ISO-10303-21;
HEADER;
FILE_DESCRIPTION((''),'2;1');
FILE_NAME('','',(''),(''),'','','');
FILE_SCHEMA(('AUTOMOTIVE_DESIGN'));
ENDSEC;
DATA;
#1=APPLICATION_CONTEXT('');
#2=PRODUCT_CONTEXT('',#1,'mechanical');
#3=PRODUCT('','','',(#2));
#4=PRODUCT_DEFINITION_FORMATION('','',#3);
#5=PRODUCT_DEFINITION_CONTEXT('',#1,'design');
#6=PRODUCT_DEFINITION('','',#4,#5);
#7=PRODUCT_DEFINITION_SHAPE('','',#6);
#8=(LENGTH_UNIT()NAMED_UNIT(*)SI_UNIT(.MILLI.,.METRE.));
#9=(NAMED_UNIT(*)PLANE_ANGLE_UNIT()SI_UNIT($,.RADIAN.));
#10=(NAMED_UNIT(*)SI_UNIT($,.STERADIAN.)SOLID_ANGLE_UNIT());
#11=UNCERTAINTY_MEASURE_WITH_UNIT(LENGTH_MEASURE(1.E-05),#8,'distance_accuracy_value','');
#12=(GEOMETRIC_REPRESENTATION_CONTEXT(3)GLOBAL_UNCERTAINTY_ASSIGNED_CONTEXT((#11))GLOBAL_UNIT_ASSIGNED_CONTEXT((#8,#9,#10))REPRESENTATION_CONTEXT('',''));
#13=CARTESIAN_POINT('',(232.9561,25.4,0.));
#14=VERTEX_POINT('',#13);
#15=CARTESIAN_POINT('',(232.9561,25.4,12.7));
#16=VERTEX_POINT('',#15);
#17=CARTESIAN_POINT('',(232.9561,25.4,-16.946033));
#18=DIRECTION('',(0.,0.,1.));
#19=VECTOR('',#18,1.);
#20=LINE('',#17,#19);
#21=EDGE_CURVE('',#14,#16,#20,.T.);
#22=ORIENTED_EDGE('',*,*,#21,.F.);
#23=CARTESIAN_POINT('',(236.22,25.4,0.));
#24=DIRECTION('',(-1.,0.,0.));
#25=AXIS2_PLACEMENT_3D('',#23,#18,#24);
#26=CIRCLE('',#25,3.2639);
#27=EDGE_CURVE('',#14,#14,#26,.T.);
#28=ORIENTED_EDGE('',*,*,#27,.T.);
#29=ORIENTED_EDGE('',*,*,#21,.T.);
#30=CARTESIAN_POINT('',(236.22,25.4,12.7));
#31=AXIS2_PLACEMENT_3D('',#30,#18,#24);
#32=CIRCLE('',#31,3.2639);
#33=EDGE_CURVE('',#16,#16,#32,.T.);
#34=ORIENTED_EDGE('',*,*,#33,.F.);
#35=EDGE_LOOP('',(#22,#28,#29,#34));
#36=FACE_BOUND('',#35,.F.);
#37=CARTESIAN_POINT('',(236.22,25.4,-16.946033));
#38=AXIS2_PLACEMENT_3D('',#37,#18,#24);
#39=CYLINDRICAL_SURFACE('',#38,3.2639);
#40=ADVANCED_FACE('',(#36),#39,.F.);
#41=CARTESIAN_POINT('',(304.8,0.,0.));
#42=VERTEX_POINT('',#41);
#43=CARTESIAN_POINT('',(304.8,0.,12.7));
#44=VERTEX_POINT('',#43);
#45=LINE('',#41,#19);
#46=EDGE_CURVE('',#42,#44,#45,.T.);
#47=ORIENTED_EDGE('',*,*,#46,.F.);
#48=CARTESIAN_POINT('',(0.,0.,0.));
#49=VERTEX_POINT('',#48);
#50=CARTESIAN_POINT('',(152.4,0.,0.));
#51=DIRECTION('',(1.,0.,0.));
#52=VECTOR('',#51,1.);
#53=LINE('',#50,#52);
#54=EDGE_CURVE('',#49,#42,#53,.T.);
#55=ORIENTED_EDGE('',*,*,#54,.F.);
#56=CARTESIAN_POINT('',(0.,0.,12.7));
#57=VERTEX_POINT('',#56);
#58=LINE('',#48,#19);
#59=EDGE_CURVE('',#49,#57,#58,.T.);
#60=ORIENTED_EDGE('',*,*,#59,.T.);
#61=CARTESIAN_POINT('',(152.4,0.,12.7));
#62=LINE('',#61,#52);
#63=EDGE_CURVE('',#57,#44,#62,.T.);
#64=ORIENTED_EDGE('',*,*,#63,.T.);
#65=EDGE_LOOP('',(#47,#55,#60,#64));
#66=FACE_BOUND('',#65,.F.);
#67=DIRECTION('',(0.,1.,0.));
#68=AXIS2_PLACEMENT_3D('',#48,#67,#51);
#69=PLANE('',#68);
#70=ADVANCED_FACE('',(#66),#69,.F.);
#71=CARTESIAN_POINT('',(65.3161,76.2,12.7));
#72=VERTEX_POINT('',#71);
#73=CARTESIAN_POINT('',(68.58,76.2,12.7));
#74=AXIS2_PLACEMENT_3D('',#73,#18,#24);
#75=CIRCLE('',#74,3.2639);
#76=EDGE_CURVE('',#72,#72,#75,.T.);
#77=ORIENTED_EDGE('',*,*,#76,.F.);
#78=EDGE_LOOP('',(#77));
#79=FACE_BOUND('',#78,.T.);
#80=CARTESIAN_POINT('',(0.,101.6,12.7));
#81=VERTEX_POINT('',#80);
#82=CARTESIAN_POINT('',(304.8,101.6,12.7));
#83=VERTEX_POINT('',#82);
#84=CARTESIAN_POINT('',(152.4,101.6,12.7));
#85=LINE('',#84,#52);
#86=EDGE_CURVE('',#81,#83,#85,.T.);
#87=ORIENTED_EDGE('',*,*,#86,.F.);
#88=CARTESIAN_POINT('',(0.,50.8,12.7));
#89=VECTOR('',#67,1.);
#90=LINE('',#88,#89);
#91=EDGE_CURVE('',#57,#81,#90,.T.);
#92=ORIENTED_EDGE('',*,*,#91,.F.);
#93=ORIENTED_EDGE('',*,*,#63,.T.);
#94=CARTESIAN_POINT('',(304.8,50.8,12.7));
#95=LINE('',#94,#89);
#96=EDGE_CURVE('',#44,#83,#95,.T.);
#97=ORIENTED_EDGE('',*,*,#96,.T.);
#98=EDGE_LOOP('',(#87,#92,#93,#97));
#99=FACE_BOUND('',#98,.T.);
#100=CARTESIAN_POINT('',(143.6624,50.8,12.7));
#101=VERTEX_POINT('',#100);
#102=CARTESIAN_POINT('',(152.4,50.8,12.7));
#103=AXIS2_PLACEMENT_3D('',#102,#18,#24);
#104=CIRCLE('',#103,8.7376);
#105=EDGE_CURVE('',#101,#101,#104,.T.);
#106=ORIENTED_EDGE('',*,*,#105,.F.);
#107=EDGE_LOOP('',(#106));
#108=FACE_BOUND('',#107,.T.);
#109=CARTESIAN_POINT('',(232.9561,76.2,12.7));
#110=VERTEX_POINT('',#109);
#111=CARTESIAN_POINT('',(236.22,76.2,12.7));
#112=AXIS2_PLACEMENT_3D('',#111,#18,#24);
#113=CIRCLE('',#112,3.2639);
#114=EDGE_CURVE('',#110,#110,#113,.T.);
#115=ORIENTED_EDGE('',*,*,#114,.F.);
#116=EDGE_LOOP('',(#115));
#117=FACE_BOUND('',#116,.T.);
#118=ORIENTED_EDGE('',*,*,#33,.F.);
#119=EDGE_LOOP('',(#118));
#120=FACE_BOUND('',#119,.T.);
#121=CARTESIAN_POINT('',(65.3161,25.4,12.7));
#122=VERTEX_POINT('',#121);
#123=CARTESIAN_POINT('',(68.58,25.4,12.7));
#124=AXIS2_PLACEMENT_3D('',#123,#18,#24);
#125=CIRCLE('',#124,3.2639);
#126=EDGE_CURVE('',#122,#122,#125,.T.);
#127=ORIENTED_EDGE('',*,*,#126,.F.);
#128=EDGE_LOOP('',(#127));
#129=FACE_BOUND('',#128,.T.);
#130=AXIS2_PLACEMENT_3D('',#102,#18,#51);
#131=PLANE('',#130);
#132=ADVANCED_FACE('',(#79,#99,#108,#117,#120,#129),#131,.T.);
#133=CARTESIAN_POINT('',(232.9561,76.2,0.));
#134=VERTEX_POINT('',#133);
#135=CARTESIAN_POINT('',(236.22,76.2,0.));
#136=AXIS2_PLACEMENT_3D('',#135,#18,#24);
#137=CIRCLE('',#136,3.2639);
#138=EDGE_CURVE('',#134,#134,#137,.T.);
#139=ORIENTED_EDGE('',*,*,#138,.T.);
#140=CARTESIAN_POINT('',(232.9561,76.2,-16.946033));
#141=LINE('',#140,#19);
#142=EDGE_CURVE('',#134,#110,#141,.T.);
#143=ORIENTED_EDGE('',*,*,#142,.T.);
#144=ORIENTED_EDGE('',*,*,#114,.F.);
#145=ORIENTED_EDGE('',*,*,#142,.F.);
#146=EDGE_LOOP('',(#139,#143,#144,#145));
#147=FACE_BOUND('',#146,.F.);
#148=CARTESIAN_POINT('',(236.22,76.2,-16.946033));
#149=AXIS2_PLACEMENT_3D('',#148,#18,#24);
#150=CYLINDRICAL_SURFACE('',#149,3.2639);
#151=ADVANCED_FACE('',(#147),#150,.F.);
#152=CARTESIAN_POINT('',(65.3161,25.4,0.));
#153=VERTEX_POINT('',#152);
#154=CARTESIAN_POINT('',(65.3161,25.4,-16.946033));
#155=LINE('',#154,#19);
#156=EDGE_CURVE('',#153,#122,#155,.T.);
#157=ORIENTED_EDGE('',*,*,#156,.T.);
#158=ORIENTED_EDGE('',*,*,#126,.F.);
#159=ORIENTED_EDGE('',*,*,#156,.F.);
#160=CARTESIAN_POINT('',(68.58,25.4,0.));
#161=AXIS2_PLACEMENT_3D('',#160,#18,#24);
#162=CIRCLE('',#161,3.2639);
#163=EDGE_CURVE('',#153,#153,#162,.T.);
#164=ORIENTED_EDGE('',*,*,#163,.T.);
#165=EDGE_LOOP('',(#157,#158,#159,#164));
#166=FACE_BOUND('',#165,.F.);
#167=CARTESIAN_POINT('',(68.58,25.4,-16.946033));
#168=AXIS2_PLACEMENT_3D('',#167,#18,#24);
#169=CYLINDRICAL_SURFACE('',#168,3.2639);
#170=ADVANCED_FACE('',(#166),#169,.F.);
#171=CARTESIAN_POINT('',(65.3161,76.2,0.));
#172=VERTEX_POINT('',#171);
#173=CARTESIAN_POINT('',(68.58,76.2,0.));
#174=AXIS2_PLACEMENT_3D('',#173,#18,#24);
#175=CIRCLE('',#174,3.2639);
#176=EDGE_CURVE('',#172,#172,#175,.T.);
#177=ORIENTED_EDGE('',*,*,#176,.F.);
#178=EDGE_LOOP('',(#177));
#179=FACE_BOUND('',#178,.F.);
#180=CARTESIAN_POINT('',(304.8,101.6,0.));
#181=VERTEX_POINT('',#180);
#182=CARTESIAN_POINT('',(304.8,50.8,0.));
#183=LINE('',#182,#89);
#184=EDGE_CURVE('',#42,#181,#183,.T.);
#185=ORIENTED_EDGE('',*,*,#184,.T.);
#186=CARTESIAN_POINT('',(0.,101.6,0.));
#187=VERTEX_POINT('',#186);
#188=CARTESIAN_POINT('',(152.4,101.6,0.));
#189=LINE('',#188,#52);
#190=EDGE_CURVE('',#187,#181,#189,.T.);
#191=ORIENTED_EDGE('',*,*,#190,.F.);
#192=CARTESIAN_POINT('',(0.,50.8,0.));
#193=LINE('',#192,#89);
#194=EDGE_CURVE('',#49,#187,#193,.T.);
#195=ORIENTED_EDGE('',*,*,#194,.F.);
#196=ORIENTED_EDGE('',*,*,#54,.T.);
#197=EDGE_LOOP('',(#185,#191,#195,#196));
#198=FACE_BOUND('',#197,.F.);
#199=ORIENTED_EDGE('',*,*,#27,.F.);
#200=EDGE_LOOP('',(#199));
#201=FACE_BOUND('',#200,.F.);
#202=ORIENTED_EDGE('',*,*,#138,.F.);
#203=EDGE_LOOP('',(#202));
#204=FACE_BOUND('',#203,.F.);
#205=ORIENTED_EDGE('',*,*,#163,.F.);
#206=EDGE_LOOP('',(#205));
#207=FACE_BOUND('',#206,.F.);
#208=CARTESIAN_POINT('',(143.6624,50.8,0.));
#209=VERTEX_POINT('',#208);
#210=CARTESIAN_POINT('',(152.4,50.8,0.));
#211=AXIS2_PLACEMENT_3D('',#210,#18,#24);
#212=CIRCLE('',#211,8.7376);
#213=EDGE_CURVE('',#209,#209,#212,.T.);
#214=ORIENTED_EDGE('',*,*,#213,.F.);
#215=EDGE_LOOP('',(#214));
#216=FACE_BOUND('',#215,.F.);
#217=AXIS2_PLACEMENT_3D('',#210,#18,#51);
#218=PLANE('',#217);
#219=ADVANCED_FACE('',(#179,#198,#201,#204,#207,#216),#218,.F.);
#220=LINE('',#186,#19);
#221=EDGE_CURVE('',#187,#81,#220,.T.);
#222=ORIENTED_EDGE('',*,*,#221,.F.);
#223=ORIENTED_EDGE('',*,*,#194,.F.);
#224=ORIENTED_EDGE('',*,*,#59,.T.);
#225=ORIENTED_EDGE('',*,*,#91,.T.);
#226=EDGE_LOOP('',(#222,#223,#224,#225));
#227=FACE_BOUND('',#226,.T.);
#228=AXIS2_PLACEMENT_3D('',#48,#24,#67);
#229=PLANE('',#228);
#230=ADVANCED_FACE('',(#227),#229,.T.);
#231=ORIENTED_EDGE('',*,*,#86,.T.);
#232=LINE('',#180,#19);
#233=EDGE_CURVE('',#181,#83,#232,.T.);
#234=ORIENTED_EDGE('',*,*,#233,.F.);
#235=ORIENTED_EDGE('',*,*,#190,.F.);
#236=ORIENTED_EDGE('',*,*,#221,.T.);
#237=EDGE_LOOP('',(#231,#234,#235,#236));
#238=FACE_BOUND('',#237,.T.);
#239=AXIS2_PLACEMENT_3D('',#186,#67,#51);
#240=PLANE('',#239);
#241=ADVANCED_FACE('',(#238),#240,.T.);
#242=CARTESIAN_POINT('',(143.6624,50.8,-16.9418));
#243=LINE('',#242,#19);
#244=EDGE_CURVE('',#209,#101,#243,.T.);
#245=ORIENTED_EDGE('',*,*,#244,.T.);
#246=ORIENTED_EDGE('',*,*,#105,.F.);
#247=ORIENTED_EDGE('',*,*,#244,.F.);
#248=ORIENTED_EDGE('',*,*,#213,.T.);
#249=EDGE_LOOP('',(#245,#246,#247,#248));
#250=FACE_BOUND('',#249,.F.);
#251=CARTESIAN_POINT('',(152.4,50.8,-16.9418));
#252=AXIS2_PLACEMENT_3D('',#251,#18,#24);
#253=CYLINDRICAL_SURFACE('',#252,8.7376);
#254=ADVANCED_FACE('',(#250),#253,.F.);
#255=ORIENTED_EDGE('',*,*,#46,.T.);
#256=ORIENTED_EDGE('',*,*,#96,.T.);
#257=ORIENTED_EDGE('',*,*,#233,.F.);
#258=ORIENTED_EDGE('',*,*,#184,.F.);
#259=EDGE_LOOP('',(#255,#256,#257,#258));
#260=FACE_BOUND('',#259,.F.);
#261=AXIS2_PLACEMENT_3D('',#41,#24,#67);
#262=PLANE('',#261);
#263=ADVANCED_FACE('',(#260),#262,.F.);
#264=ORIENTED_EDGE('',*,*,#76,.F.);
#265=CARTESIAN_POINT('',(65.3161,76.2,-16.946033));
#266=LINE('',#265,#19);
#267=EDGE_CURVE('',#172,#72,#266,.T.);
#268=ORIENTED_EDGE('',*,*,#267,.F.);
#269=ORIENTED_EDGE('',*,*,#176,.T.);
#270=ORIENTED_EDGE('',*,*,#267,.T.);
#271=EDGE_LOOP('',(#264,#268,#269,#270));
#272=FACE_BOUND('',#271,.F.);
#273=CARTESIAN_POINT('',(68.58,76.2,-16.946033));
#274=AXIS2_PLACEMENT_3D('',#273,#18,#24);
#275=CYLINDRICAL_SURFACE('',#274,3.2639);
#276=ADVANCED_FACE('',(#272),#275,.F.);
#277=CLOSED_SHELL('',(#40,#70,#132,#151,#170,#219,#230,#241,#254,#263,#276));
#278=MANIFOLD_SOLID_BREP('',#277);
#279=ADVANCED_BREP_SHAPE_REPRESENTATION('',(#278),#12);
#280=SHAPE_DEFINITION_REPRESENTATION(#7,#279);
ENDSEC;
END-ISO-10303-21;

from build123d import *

# Parameters (mm, degrees)
F0_W     = 304.8
F0_H     = 101.6
F1_DEPTH = 12.7
F2_D     = 6.5278
F2_DEPTH = 16.9460333333
F2_TIP   = 1.9611489744
F3_D     = 17.4752
F3_DEPTH = 16.9418
F3_TIP   = 5.2500797448


with BuildPart() as f1:
    # F0 (on Top) → F1 (new body)
    with BuildSketch(Plane.XY):
        with Locations((152.4, 50.8)):
            Rectangle(F0_W, F0_H)
    extrude(amount=F1_DEPTH)

    # F2
    with Locations(Plane(origin=(0, 0, 0), x_dir=(1, 0, 0), z_dir=(0, 0, -1))):
        with Locations((68.58, -76.2), (68.58, -25.4), (236.22, -76.2), (236.22, -25.4)):
            Hole(F2_D / 2, depth=F2_DEPTH)
            with Locations((0, 0, -(F2_DEPTH + F2_TIP / 2))):  # 118° drill point
                Cone(0, F2_D / 2, F2_TIP, mode=Mode.SUBTRACT)

    # F3
    with Locations(Plane(origin=(0, 0, 0), x_dir=(1, 0, 0), z_dir=(0, 0, -1))):
        with Locations((152.4, -50.8)):
            Hole(F3_D / 2, depth=F3_DEPTH)
            with Locations((0, 0, -(F3_DEPTH + F3_TIP / 2))):  # 118° drill point
                Cone(0, F3_D / 2, F3_TIP, mode=Mode.SUBTRACT)


solid = f1.part
